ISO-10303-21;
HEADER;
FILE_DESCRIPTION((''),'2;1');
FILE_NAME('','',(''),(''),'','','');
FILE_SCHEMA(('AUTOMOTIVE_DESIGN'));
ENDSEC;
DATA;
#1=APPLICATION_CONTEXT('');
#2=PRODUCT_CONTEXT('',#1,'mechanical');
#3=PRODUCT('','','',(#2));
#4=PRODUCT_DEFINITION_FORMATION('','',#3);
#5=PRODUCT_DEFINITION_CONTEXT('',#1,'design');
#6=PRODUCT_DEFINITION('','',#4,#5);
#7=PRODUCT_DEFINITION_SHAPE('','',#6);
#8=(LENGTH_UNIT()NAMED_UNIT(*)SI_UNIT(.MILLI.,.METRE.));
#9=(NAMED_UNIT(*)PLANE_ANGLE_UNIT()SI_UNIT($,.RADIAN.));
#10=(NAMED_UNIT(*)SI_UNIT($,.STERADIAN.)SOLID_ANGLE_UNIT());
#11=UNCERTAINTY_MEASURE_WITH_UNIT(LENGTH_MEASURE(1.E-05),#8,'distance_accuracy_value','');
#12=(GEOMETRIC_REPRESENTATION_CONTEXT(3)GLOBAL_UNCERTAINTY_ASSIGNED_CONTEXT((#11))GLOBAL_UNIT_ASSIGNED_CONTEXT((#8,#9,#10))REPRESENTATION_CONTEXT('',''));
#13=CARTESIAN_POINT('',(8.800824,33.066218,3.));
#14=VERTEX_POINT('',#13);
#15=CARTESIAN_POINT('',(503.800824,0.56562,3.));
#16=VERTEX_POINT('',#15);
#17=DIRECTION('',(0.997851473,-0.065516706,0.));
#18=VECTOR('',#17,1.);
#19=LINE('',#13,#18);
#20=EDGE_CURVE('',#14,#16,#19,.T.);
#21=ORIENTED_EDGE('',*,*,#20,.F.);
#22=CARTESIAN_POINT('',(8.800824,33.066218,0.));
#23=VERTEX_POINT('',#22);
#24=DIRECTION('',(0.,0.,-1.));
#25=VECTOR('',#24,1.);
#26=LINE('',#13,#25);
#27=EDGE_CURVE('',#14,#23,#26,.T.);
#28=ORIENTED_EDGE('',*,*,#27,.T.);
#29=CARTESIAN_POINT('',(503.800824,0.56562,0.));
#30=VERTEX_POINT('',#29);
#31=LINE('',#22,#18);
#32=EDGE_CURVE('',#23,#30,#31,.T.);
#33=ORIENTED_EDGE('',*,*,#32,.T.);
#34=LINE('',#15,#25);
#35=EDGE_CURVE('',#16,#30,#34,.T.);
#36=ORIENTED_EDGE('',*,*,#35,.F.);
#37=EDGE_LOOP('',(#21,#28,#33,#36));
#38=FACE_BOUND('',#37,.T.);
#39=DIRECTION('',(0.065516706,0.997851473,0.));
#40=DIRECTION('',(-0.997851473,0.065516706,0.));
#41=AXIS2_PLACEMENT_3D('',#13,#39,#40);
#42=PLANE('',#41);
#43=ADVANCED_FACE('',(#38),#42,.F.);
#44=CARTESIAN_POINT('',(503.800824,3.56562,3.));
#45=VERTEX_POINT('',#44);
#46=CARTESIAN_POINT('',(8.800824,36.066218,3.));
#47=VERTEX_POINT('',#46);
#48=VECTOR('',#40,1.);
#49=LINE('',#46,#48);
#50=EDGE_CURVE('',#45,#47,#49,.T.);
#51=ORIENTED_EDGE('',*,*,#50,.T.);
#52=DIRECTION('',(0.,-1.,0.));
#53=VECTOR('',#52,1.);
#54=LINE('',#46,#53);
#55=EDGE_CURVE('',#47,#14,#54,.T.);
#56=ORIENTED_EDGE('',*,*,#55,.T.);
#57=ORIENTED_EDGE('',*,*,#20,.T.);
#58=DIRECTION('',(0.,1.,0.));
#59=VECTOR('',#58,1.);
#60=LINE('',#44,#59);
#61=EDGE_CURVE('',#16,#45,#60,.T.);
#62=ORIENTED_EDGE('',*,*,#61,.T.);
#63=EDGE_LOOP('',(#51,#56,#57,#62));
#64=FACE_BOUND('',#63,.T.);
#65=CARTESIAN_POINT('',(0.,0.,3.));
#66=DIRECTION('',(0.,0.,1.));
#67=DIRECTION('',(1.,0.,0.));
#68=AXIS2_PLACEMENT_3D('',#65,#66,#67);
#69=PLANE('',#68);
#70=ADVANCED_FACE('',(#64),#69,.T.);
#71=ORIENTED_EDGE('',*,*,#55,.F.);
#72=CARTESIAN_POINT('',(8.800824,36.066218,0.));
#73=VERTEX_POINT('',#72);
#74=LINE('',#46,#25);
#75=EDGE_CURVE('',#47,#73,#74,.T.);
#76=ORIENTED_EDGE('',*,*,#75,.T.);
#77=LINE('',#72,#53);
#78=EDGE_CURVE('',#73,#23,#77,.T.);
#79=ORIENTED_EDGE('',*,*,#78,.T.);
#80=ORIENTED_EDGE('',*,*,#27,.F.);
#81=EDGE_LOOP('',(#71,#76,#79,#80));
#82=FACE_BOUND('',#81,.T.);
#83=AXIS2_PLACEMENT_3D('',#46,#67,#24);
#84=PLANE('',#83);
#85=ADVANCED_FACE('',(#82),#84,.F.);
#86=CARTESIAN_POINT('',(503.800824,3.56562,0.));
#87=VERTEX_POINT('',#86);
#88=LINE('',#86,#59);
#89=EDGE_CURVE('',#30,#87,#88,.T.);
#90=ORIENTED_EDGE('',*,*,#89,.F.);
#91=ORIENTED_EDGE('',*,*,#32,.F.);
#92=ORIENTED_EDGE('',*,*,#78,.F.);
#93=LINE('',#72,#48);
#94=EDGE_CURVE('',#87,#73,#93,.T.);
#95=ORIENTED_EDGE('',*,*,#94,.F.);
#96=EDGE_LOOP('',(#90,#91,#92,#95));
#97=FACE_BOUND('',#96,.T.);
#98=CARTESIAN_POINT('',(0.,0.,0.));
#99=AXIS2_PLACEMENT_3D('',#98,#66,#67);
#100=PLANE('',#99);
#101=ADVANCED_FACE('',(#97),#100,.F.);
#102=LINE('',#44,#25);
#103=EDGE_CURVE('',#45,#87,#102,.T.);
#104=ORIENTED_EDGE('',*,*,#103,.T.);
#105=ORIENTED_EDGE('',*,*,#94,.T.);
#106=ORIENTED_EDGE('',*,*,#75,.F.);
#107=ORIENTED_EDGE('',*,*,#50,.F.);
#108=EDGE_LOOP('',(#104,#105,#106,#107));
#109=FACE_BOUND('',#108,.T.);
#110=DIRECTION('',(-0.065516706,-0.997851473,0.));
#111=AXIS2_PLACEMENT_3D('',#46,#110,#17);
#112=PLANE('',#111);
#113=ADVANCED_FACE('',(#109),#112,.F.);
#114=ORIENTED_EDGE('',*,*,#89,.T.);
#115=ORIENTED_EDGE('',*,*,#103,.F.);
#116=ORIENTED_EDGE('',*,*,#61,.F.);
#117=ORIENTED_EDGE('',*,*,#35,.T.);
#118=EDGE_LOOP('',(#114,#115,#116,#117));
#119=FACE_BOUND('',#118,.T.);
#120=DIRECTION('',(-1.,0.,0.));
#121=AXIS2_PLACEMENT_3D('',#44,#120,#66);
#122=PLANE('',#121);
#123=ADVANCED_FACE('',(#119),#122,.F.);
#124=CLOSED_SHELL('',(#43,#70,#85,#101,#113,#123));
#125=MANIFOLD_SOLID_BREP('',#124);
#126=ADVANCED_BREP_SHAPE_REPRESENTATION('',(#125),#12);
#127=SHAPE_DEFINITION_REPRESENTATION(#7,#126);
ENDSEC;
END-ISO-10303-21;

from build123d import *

# Parameters (mm, degrees)
EXTRUDE_1_DEPTH = 3


with BuildPart() as part:
    # Model → 凸台-拉伸1 (new body)
    with BuildSketch(Plane.XY):
        Polygon((8.80082432, 36.066218197), (503.80082432, 3.565620492), (503.80082432, 0.565620492), (8.80082432, 33.066218197), align=None)
    extrude(amount=EXTRUDE_1_DEPTH)


solid = part.part
